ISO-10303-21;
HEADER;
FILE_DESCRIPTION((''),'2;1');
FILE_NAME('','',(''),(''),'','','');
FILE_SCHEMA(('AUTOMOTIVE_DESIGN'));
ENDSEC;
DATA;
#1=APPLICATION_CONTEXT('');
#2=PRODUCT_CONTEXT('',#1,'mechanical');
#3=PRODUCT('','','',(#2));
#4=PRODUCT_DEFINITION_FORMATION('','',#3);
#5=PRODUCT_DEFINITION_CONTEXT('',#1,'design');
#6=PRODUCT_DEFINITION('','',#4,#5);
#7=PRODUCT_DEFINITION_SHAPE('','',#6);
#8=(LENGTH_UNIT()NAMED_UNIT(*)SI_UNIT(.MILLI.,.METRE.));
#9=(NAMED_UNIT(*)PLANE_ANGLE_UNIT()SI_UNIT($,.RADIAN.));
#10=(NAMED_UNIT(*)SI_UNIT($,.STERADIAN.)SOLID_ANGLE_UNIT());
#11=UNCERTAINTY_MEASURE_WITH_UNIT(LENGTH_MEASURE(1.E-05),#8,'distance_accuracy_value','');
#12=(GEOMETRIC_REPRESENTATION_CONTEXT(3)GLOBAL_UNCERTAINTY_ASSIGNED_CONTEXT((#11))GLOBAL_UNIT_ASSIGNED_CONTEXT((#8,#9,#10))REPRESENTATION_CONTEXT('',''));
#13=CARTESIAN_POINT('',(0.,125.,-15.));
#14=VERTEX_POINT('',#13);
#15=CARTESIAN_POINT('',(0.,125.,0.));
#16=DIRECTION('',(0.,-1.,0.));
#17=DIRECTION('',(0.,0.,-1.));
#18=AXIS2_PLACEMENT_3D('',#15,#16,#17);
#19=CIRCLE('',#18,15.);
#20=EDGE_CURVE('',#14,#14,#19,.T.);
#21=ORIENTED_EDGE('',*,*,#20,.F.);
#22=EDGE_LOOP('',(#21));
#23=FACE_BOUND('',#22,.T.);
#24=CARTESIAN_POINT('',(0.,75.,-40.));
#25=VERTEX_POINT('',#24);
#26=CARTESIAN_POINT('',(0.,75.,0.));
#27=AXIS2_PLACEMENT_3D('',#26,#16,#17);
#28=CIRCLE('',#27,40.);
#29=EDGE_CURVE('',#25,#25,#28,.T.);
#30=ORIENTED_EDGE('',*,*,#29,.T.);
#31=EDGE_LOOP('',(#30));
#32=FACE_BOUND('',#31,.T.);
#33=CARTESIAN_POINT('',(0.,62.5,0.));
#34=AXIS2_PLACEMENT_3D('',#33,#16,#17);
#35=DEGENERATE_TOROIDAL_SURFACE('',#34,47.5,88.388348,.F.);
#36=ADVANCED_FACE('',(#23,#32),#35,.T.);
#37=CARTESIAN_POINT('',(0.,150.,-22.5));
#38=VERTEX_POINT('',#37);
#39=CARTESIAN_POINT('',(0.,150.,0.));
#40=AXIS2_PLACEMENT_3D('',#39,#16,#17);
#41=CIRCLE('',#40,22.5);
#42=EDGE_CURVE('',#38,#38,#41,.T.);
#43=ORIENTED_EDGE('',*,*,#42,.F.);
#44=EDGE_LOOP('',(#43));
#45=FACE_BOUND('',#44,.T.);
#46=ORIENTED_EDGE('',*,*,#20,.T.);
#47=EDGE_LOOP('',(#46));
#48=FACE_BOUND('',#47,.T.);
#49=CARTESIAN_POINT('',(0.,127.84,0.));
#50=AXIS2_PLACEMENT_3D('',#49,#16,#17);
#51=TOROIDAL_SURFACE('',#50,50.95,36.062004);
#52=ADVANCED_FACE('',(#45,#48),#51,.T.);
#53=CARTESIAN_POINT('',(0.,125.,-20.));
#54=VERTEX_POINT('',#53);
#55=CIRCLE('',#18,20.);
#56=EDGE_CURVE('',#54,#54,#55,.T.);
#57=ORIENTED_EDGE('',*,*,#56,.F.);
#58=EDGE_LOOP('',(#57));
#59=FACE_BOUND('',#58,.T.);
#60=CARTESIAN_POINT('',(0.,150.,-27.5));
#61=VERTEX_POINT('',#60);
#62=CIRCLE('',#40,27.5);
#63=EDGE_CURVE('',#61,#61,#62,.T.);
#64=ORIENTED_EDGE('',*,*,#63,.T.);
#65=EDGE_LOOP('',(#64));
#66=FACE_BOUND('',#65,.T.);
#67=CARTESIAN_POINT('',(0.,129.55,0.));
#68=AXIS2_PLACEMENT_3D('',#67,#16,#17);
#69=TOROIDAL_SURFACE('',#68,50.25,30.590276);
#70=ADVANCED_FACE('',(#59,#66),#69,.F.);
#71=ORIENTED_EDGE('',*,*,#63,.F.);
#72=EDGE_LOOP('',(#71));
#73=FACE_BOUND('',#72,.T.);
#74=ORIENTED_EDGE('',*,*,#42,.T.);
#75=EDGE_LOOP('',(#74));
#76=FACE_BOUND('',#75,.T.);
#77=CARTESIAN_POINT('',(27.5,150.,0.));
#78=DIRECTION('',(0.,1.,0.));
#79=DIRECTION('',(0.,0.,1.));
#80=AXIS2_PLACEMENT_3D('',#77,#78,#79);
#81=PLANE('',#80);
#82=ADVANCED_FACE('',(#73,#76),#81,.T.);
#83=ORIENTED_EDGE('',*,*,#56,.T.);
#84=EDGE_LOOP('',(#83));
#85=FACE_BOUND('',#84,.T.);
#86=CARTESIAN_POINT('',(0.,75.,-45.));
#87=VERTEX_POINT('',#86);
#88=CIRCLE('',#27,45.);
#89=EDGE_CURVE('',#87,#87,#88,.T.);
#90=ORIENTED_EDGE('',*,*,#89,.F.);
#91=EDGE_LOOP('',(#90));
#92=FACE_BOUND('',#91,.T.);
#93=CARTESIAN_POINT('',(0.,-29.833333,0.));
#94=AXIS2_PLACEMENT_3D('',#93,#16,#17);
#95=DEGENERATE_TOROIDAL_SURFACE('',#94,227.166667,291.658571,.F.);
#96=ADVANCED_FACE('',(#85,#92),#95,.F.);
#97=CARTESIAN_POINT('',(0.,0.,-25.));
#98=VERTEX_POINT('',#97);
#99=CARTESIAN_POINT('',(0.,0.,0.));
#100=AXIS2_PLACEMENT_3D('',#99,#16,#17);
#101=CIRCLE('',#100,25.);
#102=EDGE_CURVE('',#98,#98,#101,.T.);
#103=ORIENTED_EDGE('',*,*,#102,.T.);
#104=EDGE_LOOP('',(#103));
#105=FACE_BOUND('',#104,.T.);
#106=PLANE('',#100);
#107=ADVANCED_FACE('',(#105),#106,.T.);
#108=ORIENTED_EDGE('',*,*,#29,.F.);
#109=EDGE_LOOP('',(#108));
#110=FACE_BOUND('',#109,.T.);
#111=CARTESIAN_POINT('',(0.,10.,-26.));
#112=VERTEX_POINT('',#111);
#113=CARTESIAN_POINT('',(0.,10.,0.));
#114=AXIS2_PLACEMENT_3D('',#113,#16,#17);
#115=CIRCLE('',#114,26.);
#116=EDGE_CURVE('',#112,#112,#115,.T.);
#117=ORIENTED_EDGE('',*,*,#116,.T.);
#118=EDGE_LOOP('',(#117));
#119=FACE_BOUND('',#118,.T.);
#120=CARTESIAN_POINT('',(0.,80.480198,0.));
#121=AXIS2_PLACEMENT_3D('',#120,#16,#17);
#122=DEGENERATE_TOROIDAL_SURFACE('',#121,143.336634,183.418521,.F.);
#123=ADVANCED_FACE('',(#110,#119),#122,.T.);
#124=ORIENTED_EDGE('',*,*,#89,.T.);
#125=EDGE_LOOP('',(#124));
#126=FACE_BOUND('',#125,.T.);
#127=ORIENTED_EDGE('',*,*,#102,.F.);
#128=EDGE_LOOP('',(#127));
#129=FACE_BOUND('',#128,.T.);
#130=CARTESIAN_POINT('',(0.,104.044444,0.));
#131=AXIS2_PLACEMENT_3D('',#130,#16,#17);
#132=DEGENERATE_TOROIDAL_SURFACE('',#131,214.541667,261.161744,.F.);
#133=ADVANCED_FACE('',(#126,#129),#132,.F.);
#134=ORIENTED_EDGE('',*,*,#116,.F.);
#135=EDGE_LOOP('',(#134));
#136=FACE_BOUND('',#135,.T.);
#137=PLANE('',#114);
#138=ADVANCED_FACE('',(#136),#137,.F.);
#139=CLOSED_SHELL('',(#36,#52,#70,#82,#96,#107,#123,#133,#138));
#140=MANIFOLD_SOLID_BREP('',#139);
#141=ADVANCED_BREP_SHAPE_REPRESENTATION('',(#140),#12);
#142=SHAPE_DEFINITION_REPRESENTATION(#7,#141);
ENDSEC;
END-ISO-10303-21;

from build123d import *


with BuildPart() as part:
    # 草图1 → 旋转1 (revolve)
    with BuildSketch(Plane.XY, mode=Mode.PRIVATE) as revolve_1_sk:
        with BuildLine():
            Line((0, 0), (25, 0))
            ThreePointArc((25, 0), (37.801935199, 36.75281728), (45, 75))
            ThreePointArc((45, 75), (33.700690007, 100.600345003), (20, 125))
            ThreePointArc((20, 125), (20.949829352, 138.340051194), (27.5, 150))
            Line((27.5, 150), (0, 150))
            Line((0, 150), (0, 0))
        make_face()
    revolve(revolve_1_sk.sketch.rotate(Axis((0, 0, 0), (0, 1, 0)), 90), axis=Axis((0, 0, 0), (0, 1, 0)))

    # 草图2 → 切除-旋转1 (revolve, cut)
    with BuildSketch(Plane.XY, mode=Mode.PRIVATE) as cut_revolve_1_sk:
        with BuildLine():
            Line((0, 10), (26, 10))
            ThreePointArc((26, 10), (35.96997071, 41.860314001), (40, 75))
            ThreePointArc((40, 75), (31.556941504, 102.028470752), (15, 125))
            ThreePointArc((15, 125), (16.408865103, 138.202340469), (22.5, 150))
            Line((22.5, 150), (0, 150))
            Line((0, 150), (0, 10))
        make_face()
    revolve(cut_revolve_1_sk.sketch.rotate(Axis((0, 0, 0), (0, 1, 0)), 90), axis=Axis((0, 0, 0), (0, 1, 0)), mode=Mode.SUBTRACT)


solid = part.part
